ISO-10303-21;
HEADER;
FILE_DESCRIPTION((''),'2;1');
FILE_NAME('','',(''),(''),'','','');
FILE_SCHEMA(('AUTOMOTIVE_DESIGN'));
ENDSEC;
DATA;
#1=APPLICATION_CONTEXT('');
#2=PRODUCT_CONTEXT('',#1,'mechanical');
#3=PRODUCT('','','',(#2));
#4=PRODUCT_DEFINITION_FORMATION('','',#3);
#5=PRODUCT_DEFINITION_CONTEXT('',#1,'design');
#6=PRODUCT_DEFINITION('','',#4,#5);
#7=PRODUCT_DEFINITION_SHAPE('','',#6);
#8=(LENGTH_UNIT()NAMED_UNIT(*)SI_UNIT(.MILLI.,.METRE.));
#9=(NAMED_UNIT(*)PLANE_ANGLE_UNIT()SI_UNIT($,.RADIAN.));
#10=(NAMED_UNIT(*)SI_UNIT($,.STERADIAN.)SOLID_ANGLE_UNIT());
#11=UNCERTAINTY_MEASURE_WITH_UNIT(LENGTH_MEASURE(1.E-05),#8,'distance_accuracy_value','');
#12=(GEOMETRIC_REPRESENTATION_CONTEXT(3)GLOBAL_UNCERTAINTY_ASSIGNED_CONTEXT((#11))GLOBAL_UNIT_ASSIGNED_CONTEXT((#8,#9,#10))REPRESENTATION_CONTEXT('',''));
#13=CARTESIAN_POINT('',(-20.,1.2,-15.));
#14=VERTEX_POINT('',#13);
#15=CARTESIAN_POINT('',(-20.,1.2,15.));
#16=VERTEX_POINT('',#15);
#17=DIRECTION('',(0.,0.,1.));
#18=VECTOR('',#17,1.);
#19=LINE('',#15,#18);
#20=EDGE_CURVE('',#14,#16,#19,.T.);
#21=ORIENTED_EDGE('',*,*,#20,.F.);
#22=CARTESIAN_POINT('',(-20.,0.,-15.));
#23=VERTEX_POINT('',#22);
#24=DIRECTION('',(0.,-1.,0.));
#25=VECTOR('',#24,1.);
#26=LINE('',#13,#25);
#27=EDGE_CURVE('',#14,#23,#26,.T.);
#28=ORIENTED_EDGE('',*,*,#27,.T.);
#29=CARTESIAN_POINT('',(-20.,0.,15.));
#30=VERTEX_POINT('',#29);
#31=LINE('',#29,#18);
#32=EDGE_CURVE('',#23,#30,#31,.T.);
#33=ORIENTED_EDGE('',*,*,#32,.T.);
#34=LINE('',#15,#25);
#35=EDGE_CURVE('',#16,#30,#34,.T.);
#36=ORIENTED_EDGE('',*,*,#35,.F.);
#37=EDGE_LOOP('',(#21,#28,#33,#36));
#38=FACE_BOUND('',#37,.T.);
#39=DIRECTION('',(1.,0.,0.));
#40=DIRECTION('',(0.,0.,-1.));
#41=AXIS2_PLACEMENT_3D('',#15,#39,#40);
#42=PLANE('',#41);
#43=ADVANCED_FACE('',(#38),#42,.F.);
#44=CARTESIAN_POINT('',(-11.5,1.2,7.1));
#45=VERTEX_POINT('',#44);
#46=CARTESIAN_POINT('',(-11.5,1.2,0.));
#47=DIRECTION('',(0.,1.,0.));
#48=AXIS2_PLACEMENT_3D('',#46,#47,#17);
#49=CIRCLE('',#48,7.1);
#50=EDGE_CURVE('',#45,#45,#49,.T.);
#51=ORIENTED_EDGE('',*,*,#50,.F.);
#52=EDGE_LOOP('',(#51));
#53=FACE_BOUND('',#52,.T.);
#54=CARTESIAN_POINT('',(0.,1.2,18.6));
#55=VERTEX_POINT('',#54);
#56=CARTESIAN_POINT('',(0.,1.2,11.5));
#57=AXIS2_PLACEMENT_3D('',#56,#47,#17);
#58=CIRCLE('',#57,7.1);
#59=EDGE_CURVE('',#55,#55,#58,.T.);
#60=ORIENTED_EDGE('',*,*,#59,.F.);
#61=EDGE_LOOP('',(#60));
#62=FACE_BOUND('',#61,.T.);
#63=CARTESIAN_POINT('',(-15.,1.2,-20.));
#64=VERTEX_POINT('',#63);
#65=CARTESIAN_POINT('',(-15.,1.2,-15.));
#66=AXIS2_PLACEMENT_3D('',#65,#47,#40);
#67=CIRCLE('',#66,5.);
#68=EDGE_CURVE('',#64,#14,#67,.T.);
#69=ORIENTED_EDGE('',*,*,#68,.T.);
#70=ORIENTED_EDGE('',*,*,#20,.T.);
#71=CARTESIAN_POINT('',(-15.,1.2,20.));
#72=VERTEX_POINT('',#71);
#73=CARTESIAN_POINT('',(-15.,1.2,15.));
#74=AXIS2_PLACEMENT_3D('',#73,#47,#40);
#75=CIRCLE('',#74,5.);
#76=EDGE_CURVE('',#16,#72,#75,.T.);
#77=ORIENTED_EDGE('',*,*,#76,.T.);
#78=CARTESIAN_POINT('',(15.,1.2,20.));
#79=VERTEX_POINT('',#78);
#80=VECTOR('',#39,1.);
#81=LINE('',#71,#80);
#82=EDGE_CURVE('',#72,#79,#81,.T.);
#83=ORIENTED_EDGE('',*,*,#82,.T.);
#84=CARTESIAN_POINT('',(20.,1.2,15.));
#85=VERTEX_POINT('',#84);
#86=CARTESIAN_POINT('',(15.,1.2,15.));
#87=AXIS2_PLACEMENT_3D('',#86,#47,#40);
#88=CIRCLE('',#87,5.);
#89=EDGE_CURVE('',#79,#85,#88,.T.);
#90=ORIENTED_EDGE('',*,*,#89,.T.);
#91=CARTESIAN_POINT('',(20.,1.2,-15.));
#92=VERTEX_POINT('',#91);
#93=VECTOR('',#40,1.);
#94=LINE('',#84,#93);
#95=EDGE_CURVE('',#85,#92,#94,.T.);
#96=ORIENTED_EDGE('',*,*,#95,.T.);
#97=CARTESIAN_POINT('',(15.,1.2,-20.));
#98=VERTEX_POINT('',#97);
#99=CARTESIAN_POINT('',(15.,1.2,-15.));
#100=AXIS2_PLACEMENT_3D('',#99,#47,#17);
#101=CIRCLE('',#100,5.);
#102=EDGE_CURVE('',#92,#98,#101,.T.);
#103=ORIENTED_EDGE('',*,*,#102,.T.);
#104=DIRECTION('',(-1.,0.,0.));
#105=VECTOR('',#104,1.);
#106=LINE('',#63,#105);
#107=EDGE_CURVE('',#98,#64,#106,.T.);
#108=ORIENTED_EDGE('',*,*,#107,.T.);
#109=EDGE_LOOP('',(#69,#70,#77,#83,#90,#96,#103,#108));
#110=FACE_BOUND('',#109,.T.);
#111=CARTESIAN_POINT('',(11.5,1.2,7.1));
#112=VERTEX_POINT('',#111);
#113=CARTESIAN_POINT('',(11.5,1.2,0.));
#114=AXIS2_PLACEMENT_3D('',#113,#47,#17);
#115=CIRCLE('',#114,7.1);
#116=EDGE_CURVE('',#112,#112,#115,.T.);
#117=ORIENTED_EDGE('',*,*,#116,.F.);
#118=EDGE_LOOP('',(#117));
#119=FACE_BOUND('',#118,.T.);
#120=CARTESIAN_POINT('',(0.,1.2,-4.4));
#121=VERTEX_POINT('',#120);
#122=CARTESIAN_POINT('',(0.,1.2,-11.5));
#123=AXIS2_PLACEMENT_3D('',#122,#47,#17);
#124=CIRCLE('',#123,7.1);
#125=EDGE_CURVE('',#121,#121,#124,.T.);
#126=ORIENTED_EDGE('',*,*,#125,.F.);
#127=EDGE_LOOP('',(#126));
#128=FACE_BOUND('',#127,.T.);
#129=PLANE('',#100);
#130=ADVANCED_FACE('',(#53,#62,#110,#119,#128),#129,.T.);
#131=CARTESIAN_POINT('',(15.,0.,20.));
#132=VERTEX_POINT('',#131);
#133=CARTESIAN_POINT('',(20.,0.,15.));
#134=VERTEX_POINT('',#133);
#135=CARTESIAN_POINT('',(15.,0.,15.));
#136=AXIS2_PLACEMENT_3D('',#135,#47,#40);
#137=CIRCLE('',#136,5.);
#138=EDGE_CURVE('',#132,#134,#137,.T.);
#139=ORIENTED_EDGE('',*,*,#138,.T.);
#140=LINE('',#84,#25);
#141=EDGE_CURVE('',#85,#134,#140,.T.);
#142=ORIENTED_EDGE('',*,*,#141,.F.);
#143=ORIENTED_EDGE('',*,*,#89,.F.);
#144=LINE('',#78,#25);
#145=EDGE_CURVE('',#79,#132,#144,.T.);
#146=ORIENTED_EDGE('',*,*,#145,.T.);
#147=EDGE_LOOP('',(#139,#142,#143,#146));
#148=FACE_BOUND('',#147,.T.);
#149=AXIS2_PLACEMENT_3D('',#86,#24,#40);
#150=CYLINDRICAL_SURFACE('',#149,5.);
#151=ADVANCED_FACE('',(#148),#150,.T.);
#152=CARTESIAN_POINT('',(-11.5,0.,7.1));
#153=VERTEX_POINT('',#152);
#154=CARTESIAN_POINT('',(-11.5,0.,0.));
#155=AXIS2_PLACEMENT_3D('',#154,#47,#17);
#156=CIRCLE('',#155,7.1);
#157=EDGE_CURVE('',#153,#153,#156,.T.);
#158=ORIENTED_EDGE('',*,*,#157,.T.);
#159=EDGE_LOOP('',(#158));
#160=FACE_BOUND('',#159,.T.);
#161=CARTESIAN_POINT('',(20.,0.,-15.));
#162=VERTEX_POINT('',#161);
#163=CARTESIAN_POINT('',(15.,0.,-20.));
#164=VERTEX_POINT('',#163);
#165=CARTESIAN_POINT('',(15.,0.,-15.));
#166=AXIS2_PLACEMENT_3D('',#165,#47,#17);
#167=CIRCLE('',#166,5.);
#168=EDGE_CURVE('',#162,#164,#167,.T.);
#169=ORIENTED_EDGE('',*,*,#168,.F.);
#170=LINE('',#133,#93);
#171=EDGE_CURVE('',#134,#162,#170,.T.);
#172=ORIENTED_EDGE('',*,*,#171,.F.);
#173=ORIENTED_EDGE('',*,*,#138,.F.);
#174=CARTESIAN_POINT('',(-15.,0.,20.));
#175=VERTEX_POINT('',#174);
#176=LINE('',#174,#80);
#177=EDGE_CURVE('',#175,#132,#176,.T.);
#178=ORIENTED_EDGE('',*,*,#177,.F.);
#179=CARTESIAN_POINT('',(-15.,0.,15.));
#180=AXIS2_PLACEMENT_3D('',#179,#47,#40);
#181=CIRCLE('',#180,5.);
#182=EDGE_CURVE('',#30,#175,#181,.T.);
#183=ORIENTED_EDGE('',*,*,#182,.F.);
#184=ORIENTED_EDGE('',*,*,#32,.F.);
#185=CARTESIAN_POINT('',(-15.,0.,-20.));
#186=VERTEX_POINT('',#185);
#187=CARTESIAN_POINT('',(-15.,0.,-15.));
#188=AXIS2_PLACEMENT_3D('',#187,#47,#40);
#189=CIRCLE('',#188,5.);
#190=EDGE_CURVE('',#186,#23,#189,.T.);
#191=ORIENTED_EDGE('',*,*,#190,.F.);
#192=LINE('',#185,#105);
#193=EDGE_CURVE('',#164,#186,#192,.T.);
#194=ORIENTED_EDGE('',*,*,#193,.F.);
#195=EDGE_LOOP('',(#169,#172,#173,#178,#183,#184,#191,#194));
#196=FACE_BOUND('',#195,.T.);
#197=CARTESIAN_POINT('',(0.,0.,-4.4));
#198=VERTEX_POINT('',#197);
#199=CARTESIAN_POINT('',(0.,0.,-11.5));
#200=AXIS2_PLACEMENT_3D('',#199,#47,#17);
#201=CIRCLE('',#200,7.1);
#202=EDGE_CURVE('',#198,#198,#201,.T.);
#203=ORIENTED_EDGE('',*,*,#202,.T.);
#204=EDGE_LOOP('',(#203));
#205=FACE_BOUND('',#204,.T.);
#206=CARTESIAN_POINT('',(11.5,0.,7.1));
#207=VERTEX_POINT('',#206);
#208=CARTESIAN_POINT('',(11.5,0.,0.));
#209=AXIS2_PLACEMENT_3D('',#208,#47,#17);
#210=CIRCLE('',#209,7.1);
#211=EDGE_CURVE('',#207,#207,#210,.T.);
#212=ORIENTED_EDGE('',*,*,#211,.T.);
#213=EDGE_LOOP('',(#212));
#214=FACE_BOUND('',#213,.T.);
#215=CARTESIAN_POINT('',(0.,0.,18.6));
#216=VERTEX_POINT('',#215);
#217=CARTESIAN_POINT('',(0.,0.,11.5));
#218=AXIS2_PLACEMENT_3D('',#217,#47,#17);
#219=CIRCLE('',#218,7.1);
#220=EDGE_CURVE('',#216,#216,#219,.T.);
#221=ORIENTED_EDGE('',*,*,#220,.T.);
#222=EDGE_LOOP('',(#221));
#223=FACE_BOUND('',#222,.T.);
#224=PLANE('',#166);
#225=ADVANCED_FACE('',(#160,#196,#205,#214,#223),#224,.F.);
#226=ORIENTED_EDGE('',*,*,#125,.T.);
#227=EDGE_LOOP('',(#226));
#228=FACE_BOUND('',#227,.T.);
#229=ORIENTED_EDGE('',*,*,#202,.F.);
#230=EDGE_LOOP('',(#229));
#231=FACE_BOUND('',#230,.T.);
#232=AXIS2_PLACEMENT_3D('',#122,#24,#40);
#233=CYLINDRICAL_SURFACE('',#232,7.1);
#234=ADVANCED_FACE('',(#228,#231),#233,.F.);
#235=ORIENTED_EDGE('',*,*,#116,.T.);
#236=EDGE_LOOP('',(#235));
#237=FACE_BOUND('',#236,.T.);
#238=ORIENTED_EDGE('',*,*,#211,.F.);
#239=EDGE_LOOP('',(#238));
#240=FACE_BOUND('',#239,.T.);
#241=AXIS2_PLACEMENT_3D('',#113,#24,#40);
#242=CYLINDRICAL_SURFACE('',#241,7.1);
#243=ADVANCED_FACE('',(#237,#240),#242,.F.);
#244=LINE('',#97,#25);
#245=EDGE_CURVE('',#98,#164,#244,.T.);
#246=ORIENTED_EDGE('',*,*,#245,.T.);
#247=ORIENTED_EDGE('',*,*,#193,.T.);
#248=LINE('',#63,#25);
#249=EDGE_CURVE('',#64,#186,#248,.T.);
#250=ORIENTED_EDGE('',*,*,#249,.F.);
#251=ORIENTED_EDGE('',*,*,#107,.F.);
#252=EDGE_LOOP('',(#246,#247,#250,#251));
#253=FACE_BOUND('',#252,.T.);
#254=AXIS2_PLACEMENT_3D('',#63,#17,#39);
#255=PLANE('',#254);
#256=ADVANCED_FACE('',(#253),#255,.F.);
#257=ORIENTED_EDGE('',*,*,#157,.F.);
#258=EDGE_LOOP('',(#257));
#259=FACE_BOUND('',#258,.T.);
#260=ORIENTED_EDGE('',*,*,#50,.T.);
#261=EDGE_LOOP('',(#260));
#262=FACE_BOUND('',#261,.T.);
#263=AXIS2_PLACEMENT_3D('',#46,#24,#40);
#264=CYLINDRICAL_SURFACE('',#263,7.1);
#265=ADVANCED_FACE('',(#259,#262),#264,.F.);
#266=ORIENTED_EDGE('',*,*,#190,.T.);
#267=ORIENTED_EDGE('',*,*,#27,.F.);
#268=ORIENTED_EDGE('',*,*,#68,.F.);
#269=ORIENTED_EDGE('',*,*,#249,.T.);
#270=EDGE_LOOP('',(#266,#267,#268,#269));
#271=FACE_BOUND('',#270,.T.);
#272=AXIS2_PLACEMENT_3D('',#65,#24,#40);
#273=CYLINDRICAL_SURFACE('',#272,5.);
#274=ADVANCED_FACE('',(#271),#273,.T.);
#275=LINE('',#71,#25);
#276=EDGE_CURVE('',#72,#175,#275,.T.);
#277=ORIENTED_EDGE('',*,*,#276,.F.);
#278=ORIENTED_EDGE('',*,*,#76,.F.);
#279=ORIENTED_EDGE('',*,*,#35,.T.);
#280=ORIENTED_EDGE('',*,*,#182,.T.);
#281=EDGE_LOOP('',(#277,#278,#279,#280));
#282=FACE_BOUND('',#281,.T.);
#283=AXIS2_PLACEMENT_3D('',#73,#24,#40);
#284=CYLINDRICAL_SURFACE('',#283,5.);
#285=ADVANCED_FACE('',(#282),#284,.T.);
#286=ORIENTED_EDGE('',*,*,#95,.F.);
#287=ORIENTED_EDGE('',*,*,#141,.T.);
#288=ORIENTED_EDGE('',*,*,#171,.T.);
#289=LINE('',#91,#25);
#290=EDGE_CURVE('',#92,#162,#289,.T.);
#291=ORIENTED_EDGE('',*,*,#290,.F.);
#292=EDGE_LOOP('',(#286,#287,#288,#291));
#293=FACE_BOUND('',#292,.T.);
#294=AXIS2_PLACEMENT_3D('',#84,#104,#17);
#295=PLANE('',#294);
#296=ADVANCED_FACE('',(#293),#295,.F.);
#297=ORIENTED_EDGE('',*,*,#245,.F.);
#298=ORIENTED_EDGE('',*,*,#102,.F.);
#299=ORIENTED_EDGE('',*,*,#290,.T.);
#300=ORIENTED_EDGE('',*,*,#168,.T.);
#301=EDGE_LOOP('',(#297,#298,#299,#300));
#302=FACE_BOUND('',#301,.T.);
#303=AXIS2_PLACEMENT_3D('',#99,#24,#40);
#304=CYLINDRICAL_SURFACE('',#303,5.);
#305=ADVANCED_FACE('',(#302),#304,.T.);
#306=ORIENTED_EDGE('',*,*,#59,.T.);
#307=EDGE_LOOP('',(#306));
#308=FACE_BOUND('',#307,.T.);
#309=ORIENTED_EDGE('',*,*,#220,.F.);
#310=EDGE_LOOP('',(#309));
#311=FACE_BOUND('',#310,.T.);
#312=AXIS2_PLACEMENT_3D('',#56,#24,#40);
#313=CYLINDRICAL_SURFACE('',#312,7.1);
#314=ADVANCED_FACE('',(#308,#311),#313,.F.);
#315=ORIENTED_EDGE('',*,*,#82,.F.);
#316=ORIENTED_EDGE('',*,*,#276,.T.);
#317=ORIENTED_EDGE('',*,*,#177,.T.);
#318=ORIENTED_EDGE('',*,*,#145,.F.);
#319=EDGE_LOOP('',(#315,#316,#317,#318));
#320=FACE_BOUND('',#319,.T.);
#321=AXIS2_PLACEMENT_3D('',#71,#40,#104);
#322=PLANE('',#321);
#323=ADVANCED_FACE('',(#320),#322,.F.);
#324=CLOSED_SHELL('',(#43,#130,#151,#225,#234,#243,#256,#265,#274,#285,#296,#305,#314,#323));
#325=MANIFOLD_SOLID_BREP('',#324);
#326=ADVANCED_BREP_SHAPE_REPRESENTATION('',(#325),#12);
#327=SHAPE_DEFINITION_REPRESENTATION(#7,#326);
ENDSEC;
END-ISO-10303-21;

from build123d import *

# Parameters (mm, degrees)
ESBO_O1_R                = 7.1
RESSALTO_EXTRUS_O1_DEPTH = 1.2


with BuildPart() as part:
    # Esboço1 → Ressalto-extrusão1 (new body)
    with BuildSketch(Plane(origin=(0, 0, 0), x_dir=(1, 0, 0), z_dir=(0, 1, 0))):
        with BuildLine():
            Line((-15, -20), (15, -20))
            ThreePointArc((15, -20), (18.535533906, -18.535533906), (20, -15))
            Line((20, -15), (20, 15))
            ThreePointArc((20, 15), (18.535533906, 18.535533906), (15, 20))
            Line((15, 20), (-15, 20))
            ThreePointArc((-15, 20), (-18.535533906, 18.535533906), (-20, 15))
            Line((-20, 15), (-20, -15))
            ThreePointArc((-20, -15), (-18.535533906, -18.535533906), (-15, -20))
        make_face()
        with Locations(Location((0, 11.5, 0), (0, 0, 270))):
            Circle(ESBO_O1_R, mode=Mode.SUBTRACT)
        with Locations(Location((11.5, 0, 0), (0, 0, 270))):
            Circle(ESBO_O1_R, mode=Mode.SUBTRACT)
        with Locations(Location((0, -11.5, 0), (0, 0, 270))):
            Circle(ESBO_O1_R, mode=Mode.SUBTRACT)
        with Locations(Location((-11.5, 0, 0), (0, 0, 270))):
            Circle(ESBO_O1_R, mode=Mode.SUBTRACT)
    extrude(amount=RESSALTO_EXTRUS_O1_DEPTH)


solid = part.part
